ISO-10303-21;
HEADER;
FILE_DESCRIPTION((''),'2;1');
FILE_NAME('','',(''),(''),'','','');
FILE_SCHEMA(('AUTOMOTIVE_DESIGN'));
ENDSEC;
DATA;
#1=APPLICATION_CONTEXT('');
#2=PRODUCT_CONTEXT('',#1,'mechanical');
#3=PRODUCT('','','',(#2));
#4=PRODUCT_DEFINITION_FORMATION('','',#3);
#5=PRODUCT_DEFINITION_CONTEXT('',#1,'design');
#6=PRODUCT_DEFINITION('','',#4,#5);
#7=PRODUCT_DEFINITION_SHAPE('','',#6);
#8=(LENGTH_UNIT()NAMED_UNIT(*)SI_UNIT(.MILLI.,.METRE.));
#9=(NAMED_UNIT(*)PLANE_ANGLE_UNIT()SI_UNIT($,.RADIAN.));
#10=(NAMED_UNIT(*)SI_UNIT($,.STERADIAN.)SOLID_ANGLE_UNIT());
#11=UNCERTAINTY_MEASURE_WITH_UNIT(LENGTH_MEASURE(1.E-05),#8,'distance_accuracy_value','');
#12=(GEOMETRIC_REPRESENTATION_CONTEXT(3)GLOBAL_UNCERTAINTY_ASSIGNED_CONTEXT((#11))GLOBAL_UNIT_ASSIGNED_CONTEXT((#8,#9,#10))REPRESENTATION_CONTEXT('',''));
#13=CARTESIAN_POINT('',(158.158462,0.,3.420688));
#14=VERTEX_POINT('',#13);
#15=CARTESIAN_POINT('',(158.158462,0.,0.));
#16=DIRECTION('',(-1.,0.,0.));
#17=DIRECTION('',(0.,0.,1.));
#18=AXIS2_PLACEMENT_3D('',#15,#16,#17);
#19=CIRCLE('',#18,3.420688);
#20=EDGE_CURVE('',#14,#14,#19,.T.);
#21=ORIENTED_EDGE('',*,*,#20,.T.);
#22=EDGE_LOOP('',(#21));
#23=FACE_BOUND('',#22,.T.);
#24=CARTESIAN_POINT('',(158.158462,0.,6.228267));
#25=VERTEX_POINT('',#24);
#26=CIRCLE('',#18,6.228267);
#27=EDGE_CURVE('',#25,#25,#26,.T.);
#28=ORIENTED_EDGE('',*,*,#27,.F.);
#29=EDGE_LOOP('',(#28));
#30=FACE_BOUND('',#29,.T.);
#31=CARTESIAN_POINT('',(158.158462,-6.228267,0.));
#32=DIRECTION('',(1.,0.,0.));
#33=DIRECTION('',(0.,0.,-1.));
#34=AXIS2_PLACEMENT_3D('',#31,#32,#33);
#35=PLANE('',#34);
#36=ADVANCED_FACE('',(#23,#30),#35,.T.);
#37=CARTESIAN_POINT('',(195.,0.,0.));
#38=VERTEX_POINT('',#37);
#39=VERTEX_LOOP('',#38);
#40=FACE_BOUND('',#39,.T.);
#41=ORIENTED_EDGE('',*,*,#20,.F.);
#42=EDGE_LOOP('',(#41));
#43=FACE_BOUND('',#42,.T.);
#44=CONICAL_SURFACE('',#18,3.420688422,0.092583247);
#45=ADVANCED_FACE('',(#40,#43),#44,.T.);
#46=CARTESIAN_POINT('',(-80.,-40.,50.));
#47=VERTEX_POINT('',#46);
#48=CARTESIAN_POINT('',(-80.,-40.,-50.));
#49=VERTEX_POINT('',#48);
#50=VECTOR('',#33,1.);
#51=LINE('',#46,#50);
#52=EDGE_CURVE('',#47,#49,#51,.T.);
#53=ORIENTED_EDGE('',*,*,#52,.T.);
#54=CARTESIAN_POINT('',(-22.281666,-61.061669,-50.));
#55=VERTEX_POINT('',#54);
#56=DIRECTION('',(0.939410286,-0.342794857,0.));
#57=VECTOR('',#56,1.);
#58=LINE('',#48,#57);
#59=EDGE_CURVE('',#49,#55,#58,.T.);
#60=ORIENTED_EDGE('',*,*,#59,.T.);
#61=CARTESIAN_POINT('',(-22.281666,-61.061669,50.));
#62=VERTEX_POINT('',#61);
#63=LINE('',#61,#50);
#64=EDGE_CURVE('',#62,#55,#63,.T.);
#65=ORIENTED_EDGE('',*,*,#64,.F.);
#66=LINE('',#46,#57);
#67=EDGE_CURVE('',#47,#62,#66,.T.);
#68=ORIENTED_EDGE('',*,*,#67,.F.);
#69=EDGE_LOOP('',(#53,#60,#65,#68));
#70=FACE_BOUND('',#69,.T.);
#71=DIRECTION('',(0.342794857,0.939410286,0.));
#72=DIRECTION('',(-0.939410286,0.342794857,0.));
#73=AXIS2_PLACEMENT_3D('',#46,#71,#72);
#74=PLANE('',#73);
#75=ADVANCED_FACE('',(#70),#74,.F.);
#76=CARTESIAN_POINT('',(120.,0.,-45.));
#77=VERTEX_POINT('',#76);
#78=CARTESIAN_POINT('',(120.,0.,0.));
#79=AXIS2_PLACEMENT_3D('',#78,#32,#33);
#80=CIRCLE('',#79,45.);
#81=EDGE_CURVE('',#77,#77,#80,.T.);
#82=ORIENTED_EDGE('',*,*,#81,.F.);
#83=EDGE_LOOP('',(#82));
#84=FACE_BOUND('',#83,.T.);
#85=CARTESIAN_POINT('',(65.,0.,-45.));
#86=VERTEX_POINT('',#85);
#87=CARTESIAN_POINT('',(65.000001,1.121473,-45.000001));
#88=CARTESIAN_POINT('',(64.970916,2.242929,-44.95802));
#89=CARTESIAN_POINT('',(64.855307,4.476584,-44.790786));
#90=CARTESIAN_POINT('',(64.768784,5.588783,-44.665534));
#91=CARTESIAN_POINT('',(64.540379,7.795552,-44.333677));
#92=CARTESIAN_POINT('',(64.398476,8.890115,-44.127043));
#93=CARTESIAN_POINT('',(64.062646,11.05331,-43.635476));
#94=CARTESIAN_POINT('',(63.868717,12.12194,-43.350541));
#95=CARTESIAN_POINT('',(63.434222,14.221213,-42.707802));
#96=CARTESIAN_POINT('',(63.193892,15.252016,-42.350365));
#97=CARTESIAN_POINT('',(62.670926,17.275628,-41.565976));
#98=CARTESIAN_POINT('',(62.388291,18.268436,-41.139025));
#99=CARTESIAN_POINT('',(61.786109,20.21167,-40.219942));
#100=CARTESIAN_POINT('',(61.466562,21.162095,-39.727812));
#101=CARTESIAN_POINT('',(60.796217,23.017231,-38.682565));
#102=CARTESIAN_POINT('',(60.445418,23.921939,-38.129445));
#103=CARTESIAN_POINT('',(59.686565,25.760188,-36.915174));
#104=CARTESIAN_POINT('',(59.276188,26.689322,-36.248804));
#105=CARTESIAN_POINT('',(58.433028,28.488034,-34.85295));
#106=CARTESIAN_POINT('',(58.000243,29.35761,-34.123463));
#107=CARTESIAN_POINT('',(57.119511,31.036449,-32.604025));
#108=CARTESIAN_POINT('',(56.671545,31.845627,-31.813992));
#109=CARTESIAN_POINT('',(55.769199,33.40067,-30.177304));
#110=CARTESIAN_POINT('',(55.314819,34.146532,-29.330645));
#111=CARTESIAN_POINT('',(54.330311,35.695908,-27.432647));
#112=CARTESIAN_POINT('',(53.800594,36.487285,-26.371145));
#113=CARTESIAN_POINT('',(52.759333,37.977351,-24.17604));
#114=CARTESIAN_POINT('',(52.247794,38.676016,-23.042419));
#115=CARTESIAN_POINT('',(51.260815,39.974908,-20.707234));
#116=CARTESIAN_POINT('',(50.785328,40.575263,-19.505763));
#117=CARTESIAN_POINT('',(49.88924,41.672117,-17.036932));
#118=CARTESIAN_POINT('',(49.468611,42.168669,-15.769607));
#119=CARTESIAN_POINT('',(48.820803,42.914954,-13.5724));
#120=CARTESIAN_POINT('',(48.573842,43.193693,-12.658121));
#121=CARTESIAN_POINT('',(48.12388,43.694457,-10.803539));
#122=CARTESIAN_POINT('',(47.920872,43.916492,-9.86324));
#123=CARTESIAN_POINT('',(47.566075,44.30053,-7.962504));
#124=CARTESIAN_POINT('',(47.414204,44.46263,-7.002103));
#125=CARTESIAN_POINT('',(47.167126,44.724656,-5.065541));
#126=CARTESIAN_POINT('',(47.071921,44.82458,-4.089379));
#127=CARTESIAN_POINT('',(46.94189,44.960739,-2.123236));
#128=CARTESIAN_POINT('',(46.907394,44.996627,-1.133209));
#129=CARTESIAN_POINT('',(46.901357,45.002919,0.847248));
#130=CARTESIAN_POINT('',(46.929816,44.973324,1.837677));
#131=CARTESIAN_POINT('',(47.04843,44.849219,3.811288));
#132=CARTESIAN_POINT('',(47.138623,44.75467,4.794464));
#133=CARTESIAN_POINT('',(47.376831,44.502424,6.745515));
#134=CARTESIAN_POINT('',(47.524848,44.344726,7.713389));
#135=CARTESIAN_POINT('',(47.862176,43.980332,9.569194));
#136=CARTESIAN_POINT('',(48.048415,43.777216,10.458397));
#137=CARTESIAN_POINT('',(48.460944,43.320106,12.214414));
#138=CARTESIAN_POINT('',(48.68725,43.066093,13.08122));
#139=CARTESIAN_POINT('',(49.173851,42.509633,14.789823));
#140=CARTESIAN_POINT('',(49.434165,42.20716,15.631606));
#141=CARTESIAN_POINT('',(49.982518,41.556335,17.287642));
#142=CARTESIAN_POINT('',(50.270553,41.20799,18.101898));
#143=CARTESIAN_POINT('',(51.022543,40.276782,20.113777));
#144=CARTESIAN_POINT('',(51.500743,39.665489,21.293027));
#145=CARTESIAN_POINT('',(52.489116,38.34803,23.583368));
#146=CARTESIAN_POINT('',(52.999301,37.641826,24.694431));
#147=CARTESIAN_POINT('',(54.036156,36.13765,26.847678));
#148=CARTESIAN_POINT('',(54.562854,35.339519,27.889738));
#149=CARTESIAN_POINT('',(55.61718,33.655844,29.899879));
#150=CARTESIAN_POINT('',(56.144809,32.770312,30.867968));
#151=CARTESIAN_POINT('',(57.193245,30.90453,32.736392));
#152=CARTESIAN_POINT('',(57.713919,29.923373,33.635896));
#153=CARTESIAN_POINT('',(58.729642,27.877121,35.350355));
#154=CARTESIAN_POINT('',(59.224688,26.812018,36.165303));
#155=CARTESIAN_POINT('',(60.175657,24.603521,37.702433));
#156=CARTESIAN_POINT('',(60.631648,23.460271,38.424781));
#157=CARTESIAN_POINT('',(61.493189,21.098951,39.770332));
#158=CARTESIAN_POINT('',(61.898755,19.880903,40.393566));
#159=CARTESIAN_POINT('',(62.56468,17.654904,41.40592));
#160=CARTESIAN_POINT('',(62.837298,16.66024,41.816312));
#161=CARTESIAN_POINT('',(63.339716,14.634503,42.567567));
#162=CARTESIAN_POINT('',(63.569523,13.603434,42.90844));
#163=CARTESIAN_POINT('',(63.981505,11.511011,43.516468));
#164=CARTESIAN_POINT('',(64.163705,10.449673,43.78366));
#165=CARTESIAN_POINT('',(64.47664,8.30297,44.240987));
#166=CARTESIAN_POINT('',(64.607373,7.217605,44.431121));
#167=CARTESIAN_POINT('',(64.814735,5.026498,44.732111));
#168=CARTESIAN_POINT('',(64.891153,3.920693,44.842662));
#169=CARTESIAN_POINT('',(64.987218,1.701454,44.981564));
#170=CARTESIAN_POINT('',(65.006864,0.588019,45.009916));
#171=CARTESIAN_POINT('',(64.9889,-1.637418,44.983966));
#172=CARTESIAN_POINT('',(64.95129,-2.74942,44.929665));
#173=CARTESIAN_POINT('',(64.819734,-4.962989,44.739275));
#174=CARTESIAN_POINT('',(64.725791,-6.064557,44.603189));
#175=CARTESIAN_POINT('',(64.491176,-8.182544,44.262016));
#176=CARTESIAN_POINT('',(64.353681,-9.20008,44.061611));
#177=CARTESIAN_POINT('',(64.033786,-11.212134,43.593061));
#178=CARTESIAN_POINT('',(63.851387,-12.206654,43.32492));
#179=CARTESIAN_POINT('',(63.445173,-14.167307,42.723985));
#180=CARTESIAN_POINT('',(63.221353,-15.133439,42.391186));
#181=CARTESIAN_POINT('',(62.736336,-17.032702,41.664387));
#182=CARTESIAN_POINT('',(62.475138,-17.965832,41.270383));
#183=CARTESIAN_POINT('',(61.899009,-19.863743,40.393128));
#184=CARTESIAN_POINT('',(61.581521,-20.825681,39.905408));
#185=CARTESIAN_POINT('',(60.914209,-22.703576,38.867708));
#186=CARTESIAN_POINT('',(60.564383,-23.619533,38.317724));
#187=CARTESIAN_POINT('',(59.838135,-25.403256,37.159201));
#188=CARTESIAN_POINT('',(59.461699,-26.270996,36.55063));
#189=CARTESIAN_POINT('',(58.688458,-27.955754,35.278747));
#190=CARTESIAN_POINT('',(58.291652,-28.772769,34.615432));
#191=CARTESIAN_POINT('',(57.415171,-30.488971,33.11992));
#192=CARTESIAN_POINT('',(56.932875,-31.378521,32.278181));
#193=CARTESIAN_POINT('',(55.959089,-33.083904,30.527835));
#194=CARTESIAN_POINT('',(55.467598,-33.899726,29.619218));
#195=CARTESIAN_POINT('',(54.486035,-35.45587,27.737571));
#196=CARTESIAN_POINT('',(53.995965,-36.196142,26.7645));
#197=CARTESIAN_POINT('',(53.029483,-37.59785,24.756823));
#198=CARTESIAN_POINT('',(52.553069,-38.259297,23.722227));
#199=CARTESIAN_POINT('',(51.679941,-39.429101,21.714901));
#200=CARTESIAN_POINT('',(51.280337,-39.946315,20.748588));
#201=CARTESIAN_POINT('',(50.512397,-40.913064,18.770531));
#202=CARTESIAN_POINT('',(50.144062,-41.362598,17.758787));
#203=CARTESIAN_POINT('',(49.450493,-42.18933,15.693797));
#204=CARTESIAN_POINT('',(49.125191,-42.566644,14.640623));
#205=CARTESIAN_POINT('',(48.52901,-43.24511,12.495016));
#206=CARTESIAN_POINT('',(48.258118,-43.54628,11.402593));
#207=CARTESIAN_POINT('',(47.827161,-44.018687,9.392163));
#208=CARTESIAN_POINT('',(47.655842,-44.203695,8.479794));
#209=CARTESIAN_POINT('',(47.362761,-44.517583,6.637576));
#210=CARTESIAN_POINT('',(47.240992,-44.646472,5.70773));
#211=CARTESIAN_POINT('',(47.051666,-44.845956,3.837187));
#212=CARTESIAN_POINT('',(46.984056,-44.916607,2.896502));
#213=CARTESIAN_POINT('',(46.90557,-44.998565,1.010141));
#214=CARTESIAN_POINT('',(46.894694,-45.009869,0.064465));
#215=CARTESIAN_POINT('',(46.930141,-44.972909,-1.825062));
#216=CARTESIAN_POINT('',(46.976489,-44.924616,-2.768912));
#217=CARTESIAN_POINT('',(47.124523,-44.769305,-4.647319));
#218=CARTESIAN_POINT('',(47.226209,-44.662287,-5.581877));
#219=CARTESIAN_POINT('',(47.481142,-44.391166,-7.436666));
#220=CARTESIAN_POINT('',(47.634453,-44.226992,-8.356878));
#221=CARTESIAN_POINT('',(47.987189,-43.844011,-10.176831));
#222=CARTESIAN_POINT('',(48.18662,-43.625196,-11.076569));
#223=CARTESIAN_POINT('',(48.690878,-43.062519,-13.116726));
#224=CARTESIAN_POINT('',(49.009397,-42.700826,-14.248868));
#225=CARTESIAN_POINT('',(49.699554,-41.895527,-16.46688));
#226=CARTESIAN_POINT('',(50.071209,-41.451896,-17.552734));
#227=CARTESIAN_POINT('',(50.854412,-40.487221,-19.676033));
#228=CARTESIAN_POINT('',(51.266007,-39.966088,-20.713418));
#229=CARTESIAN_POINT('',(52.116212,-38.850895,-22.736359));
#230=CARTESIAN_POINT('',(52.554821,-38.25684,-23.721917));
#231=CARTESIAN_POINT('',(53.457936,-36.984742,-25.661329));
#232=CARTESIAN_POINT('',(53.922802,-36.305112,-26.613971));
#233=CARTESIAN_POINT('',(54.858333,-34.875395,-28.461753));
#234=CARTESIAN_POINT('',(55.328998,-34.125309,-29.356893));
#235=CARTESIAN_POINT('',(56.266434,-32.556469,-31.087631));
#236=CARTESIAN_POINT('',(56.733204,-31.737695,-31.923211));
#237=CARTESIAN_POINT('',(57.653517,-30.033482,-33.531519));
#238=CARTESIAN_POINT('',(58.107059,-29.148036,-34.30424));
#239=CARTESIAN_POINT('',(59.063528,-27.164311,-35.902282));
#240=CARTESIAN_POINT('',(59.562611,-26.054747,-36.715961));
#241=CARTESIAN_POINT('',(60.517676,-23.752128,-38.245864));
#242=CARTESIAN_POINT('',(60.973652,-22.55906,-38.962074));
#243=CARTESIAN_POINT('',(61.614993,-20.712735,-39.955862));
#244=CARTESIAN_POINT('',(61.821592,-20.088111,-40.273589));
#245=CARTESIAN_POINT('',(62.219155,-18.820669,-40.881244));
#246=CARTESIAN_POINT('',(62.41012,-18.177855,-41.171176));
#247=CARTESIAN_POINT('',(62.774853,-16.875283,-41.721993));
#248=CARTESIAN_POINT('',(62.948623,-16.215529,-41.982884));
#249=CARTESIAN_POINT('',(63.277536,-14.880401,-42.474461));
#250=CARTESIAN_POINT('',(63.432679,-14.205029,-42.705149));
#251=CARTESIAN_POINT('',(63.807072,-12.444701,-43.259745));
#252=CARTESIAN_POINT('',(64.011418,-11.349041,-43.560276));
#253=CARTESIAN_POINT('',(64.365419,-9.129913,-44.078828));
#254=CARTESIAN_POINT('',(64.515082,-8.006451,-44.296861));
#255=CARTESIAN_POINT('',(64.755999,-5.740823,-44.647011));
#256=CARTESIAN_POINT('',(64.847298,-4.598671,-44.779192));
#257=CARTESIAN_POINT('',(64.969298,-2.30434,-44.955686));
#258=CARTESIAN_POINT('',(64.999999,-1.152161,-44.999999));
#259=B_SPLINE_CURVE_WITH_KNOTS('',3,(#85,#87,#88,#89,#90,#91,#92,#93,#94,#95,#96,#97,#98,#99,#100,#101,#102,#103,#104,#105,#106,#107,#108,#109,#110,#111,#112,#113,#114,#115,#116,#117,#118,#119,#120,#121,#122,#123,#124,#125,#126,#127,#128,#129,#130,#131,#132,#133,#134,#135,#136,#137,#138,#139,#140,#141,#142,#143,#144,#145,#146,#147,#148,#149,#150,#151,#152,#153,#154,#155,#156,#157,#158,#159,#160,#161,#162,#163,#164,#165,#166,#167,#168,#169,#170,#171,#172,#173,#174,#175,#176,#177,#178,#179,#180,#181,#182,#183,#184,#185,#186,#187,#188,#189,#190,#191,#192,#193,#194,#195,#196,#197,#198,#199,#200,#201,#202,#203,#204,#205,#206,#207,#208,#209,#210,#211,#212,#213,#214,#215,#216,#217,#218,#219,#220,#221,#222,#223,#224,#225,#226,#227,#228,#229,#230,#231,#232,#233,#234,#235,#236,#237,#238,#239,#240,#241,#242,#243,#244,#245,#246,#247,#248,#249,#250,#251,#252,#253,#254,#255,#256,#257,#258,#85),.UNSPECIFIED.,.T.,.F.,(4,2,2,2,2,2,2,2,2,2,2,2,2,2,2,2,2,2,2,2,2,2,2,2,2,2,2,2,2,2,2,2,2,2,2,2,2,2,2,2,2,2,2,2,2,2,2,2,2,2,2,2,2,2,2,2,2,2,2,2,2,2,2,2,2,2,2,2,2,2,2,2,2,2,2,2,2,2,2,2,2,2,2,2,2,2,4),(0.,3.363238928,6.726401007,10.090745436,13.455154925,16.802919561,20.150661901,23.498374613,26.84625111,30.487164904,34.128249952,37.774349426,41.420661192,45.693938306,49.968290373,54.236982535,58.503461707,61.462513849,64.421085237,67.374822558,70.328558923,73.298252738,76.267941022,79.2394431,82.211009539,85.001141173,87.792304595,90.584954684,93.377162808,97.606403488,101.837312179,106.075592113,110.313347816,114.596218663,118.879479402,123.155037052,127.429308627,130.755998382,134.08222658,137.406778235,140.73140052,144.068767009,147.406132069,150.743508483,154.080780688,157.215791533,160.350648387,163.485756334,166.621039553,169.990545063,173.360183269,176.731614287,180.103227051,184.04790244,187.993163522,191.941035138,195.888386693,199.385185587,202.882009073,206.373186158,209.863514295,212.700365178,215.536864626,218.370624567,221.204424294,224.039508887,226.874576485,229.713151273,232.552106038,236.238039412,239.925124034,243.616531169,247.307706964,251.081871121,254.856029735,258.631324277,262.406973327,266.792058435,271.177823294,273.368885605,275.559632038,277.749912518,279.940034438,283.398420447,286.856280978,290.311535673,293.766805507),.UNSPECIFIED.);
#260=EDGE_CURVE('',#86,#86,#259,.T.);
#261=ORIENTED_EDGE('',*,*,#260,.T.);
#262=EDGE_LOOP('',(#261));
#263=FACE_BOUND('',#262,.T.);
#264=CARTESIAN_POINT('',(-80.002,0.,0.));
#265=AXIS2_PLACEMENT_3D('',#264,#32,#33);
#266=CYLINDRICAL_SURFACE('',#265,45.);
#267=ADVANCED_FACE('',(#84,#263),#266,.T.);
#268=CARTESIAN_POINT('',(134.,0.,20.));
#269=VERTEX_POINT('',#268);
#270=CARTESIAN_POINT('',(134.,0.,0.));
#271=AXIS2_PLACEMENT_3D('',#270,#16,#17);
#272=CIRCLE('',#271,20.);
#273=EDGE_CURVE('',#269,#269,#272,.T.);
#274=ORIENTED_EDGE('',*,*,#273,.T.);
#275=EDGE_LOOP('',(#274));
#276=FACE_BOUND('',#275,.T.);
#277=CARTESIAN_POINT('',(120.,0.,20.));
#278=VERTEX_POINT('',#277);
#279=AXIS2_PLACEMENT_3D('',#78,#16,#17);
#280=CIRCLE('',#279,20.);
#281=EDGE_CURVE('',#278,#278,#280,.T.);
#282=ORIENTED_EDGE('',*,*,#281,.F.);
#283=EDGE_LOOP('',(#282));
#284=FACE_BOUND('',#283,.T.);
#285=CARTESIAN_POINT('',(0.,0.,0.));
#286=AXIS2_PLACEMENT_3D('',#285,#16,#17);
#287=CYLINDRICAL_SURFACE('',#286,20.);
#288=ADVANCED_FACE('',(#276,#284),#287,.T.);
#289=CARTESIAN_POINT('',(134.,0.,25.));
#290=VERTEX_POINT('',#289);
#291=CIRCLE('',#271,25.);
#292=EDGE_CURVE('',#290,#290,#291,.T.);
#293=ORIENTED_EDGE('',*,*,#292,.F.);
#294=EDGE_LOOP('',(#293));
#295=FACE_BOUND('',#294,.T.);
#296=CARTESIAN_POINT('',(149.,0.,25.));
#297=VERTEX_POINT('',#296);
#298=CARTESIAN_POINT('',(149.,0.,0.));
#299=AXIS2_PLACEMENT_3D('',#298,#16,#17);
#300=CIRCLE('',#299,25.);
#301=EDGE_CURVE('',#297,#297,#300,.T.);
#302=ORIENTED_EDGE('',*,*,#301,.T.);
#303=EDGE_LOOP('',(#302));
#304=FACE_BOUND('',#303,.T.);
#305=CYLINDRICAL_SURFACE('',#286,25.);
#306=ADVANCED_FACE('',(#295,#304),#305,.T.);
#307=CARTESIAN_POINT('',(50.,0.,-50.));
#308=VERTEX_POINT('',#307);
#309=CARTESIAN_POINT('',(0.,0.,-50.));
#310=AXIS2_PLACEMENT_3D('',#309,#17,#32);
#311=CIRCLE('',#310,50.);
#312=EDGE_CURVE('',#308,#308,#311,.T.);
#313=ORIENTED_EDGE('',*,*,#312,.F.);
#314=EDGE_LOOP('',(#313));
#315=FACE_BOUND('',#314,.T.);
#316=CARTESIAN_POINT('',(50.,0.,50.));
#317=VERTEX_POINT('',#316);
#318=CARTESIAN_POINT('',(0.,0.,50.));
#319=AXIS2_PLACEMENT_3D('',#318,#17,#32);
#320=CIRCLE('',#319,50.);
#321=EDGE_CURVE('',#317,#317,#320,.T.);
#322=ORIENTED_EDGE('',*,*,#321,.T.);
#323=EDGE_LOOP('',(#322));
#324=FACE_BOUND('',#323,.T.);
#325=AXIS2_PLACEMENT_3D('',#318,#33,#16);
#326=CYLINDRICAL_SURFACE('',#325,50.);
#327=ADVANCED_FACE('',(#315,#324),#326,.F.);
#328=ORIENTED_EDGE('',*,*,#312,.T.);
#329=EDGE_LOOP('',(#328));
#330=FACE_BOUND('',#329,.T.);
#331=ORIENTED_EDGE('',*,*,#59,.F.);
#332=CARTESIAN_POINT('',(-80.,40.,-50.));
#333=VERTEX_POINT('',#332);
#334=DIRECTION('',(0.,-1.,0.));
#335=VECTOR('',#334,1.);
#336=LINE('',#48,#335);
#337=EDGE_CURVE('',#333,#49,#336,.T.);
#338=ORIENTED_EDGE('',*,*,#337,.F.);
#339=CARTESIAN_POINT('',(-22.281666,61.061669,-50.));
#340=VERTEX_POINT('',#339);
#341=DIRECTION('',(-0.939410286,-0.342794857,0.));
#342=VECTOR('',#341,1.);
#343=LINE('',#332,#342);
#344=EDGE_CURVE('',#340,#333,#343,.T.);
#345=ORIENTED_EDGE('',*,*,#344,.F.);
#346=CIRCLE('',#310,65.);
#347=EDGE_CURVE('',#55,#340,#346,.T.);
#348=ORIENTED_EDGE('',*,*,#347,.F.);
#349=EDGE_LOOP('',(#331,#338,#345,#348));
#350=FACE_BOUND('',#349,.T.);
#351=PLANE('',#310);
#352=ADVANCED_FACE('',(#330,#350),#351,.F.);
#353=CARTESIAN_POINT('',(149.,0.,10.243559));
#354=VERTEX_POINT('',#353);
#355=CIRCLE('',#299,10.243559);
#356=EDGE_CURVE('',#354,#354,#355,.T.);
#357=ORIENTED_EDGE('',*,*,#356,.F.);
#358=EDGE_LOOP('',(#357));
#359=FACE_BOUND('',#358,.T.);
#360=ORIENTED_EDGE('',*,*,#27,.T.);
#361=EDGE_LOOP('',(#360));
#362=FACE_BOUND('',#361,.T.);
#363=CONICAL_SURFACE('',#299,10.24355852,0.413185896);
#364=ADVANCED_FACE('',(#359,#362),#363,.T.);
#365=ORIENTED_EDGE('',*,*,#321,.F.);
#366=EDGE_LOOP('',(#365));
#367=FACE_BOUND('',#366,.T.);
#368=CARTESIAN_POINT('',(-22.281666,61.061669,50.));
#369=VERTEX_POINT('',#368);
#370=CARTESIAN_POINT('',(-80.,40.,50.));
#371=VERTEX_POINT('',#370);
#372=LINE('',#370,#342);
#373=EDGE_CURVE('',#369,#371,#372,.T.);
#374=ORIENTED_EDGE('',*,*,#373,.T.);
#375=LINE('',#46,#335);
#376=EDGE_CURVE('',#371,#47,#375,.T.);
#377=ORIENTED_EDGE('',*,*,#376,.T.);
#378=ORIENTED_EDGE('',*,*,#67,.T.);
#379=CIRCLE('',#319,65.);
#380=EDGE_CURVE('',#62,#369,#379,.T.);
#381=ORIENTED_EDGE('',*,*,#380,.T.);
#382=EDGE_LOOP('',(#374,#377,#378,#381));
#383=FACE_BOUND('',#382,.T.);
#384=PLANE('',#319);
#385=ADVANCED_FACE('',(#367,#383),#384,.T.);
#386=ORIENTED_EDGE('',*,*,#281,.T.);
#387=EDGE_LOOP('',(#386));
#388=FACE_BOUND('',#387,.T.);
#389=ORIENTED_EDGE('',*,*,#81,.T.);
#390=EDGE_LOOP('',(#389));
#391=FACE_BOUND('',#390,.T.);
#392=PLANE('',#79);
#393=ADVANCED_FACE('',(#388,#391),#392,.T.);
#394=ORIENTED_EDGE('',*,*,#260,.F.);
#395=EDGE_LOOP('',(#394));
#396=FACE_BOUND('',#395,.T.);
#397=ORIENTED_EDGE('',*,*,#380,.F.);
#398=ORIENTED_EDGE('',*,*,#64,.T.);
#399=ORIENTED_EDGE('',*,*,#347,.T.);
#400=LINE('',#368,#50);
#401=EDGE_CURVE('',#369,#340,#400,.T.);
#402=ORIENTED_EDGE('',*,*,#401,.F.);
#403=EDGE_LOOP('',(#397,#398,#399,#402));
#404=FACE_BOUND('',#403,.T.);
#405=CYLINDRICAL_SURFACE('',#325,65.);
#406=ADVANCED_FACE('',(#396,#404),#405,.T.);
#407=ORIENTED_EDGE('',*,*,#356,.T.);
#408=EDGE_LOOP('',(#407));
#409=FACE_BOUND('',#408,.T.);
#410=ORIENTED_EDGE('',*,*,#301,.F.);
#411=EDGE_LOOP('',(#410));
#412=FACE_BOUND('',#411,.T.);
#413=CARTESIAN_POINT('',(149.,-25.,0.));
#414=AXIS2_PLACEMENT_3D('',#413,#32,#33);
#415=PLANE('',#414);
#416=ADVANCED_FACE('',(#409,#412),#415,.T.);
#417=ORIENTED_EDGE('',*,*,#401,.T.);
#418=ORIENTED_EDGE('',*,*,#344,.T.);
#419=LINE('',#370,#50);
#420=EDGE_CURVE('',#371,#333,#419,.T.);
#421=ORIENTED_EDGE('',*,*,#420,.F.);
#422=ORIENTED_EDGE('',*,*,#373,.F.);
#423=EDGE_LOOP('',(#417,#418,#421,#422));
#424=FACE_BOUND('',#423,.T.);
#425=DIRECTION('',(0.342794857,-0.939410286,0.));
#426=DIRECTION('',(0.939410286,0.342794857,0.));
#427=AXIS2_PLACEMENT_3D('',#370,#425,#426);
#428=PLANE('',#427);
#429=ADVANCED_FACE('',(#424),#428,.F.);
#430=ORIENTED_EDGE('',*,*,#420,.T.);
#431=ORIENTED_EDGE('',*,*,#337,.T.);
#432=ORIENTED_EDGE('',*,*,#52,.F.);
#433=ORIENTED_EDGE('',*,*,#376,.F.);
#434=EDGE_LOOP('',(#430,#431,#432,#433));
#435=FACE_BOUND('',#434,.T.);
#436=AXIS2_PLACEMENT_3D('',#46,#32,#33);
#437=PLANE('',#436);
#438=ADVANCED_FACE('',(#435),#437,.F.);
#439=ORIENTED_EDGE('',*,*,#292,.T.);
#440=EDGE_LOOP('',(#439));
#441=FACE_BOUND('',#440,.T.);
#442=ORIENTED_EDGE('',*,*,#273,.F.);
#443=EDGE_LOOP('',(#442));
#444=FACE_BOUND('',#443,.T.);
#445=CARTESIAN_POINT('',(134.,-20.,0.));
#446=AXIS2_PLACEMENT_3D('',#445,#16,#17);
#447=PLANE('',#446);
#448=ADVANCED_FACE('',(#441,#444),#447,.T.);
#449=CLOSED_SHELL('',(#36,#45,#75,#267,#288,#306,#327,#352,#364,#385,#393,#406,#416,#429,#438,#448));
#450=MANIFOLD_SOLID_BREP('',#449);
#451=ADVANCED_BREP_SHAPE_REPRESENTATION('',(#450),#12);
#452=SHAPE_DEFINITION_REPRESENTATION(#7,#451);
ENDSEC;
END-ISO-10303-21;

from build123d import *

# Parameters (mm, degrees)
SKETCH1_R                = 50
BOSS_EXTRUDE1_DEPTH      = 50
BOSS_EXTRUDE2_REACH      = 218.16
BOSS_EXTRUDE2_END_RADIUS = 65
SKETCH2_R                = 45


with BuildPart() as part:
    # Sketch1 → Boss-Extrude1 (new, symmetric)
    with BuildSketch(Plane.XY):
        with BuildLine():
            Line((-80, -40), (-80, 40))
            Line((-80, 40), (-22.281665693, 61.061668614))
            ThreePointArc((-22.281665693, 61.061668614), (65, 0), (-22.281665693, -61.061668614))
            Line((-22.281665693, -61.061668614), (-80, -40))
        make_face()
        Circle(SKETCH1_R, mode=Mode.SUBTRACT)
    extrude(amount=BOSS_EXTRUDE1_DEPTH, both=True)

    # Boss-Extrude2: up to this cylinder (the profile starts outside it)
    boss_extrude2_end = Plane(origin=(0, 0, 0), z_dir=(0, 0, -1)) * Cylinder(BOSS_EXTRUDE2_END_RADIUS, 567.32, mode=Mode.PRIVATE)
    # Sketch2 → Boss-Extrude2 (add, up to the surface)
    with BuildSketch(Plane(origin=(120, 0, 0), x_dir=(0, 0, -1), z_dir=(1, 0, 0)), mode=Mode.PRIVATE) as boss_extrude2_sk1:
        Circle(SKETCH2_R)
    boss_extrude2_tool1 = extrude(boss_extrude2_sk1.sketch, amount=-BOSS_EXTRUDE2_REACH, mode=Mode.PRIVATE) - boss_extrude2_end
    add(boss_extrude2_tool1.solids().sort_by_distance((120, 0, 0))[0])

    # Sketch3 → Revolve1 (revolve)
    with BuildSketch(Plane.XY, mode=Mode.PRIVATE) as revolve1_sk:
        Polygon((120, 0), (120, -20), (134, -20), (134, -25), (149, -25), (149, -10.24355852), (158.158462427, -6.228267003), (158.158462427, -3.420688422), (195, 0), align=None)
    revolve(revolve1_sk.sketch.rotate(Axis((0, 0, 0), (1, 0, 0)), 270), axis=Axis((0, 0, 0), (1, 0, 0)))


solid = part.part
